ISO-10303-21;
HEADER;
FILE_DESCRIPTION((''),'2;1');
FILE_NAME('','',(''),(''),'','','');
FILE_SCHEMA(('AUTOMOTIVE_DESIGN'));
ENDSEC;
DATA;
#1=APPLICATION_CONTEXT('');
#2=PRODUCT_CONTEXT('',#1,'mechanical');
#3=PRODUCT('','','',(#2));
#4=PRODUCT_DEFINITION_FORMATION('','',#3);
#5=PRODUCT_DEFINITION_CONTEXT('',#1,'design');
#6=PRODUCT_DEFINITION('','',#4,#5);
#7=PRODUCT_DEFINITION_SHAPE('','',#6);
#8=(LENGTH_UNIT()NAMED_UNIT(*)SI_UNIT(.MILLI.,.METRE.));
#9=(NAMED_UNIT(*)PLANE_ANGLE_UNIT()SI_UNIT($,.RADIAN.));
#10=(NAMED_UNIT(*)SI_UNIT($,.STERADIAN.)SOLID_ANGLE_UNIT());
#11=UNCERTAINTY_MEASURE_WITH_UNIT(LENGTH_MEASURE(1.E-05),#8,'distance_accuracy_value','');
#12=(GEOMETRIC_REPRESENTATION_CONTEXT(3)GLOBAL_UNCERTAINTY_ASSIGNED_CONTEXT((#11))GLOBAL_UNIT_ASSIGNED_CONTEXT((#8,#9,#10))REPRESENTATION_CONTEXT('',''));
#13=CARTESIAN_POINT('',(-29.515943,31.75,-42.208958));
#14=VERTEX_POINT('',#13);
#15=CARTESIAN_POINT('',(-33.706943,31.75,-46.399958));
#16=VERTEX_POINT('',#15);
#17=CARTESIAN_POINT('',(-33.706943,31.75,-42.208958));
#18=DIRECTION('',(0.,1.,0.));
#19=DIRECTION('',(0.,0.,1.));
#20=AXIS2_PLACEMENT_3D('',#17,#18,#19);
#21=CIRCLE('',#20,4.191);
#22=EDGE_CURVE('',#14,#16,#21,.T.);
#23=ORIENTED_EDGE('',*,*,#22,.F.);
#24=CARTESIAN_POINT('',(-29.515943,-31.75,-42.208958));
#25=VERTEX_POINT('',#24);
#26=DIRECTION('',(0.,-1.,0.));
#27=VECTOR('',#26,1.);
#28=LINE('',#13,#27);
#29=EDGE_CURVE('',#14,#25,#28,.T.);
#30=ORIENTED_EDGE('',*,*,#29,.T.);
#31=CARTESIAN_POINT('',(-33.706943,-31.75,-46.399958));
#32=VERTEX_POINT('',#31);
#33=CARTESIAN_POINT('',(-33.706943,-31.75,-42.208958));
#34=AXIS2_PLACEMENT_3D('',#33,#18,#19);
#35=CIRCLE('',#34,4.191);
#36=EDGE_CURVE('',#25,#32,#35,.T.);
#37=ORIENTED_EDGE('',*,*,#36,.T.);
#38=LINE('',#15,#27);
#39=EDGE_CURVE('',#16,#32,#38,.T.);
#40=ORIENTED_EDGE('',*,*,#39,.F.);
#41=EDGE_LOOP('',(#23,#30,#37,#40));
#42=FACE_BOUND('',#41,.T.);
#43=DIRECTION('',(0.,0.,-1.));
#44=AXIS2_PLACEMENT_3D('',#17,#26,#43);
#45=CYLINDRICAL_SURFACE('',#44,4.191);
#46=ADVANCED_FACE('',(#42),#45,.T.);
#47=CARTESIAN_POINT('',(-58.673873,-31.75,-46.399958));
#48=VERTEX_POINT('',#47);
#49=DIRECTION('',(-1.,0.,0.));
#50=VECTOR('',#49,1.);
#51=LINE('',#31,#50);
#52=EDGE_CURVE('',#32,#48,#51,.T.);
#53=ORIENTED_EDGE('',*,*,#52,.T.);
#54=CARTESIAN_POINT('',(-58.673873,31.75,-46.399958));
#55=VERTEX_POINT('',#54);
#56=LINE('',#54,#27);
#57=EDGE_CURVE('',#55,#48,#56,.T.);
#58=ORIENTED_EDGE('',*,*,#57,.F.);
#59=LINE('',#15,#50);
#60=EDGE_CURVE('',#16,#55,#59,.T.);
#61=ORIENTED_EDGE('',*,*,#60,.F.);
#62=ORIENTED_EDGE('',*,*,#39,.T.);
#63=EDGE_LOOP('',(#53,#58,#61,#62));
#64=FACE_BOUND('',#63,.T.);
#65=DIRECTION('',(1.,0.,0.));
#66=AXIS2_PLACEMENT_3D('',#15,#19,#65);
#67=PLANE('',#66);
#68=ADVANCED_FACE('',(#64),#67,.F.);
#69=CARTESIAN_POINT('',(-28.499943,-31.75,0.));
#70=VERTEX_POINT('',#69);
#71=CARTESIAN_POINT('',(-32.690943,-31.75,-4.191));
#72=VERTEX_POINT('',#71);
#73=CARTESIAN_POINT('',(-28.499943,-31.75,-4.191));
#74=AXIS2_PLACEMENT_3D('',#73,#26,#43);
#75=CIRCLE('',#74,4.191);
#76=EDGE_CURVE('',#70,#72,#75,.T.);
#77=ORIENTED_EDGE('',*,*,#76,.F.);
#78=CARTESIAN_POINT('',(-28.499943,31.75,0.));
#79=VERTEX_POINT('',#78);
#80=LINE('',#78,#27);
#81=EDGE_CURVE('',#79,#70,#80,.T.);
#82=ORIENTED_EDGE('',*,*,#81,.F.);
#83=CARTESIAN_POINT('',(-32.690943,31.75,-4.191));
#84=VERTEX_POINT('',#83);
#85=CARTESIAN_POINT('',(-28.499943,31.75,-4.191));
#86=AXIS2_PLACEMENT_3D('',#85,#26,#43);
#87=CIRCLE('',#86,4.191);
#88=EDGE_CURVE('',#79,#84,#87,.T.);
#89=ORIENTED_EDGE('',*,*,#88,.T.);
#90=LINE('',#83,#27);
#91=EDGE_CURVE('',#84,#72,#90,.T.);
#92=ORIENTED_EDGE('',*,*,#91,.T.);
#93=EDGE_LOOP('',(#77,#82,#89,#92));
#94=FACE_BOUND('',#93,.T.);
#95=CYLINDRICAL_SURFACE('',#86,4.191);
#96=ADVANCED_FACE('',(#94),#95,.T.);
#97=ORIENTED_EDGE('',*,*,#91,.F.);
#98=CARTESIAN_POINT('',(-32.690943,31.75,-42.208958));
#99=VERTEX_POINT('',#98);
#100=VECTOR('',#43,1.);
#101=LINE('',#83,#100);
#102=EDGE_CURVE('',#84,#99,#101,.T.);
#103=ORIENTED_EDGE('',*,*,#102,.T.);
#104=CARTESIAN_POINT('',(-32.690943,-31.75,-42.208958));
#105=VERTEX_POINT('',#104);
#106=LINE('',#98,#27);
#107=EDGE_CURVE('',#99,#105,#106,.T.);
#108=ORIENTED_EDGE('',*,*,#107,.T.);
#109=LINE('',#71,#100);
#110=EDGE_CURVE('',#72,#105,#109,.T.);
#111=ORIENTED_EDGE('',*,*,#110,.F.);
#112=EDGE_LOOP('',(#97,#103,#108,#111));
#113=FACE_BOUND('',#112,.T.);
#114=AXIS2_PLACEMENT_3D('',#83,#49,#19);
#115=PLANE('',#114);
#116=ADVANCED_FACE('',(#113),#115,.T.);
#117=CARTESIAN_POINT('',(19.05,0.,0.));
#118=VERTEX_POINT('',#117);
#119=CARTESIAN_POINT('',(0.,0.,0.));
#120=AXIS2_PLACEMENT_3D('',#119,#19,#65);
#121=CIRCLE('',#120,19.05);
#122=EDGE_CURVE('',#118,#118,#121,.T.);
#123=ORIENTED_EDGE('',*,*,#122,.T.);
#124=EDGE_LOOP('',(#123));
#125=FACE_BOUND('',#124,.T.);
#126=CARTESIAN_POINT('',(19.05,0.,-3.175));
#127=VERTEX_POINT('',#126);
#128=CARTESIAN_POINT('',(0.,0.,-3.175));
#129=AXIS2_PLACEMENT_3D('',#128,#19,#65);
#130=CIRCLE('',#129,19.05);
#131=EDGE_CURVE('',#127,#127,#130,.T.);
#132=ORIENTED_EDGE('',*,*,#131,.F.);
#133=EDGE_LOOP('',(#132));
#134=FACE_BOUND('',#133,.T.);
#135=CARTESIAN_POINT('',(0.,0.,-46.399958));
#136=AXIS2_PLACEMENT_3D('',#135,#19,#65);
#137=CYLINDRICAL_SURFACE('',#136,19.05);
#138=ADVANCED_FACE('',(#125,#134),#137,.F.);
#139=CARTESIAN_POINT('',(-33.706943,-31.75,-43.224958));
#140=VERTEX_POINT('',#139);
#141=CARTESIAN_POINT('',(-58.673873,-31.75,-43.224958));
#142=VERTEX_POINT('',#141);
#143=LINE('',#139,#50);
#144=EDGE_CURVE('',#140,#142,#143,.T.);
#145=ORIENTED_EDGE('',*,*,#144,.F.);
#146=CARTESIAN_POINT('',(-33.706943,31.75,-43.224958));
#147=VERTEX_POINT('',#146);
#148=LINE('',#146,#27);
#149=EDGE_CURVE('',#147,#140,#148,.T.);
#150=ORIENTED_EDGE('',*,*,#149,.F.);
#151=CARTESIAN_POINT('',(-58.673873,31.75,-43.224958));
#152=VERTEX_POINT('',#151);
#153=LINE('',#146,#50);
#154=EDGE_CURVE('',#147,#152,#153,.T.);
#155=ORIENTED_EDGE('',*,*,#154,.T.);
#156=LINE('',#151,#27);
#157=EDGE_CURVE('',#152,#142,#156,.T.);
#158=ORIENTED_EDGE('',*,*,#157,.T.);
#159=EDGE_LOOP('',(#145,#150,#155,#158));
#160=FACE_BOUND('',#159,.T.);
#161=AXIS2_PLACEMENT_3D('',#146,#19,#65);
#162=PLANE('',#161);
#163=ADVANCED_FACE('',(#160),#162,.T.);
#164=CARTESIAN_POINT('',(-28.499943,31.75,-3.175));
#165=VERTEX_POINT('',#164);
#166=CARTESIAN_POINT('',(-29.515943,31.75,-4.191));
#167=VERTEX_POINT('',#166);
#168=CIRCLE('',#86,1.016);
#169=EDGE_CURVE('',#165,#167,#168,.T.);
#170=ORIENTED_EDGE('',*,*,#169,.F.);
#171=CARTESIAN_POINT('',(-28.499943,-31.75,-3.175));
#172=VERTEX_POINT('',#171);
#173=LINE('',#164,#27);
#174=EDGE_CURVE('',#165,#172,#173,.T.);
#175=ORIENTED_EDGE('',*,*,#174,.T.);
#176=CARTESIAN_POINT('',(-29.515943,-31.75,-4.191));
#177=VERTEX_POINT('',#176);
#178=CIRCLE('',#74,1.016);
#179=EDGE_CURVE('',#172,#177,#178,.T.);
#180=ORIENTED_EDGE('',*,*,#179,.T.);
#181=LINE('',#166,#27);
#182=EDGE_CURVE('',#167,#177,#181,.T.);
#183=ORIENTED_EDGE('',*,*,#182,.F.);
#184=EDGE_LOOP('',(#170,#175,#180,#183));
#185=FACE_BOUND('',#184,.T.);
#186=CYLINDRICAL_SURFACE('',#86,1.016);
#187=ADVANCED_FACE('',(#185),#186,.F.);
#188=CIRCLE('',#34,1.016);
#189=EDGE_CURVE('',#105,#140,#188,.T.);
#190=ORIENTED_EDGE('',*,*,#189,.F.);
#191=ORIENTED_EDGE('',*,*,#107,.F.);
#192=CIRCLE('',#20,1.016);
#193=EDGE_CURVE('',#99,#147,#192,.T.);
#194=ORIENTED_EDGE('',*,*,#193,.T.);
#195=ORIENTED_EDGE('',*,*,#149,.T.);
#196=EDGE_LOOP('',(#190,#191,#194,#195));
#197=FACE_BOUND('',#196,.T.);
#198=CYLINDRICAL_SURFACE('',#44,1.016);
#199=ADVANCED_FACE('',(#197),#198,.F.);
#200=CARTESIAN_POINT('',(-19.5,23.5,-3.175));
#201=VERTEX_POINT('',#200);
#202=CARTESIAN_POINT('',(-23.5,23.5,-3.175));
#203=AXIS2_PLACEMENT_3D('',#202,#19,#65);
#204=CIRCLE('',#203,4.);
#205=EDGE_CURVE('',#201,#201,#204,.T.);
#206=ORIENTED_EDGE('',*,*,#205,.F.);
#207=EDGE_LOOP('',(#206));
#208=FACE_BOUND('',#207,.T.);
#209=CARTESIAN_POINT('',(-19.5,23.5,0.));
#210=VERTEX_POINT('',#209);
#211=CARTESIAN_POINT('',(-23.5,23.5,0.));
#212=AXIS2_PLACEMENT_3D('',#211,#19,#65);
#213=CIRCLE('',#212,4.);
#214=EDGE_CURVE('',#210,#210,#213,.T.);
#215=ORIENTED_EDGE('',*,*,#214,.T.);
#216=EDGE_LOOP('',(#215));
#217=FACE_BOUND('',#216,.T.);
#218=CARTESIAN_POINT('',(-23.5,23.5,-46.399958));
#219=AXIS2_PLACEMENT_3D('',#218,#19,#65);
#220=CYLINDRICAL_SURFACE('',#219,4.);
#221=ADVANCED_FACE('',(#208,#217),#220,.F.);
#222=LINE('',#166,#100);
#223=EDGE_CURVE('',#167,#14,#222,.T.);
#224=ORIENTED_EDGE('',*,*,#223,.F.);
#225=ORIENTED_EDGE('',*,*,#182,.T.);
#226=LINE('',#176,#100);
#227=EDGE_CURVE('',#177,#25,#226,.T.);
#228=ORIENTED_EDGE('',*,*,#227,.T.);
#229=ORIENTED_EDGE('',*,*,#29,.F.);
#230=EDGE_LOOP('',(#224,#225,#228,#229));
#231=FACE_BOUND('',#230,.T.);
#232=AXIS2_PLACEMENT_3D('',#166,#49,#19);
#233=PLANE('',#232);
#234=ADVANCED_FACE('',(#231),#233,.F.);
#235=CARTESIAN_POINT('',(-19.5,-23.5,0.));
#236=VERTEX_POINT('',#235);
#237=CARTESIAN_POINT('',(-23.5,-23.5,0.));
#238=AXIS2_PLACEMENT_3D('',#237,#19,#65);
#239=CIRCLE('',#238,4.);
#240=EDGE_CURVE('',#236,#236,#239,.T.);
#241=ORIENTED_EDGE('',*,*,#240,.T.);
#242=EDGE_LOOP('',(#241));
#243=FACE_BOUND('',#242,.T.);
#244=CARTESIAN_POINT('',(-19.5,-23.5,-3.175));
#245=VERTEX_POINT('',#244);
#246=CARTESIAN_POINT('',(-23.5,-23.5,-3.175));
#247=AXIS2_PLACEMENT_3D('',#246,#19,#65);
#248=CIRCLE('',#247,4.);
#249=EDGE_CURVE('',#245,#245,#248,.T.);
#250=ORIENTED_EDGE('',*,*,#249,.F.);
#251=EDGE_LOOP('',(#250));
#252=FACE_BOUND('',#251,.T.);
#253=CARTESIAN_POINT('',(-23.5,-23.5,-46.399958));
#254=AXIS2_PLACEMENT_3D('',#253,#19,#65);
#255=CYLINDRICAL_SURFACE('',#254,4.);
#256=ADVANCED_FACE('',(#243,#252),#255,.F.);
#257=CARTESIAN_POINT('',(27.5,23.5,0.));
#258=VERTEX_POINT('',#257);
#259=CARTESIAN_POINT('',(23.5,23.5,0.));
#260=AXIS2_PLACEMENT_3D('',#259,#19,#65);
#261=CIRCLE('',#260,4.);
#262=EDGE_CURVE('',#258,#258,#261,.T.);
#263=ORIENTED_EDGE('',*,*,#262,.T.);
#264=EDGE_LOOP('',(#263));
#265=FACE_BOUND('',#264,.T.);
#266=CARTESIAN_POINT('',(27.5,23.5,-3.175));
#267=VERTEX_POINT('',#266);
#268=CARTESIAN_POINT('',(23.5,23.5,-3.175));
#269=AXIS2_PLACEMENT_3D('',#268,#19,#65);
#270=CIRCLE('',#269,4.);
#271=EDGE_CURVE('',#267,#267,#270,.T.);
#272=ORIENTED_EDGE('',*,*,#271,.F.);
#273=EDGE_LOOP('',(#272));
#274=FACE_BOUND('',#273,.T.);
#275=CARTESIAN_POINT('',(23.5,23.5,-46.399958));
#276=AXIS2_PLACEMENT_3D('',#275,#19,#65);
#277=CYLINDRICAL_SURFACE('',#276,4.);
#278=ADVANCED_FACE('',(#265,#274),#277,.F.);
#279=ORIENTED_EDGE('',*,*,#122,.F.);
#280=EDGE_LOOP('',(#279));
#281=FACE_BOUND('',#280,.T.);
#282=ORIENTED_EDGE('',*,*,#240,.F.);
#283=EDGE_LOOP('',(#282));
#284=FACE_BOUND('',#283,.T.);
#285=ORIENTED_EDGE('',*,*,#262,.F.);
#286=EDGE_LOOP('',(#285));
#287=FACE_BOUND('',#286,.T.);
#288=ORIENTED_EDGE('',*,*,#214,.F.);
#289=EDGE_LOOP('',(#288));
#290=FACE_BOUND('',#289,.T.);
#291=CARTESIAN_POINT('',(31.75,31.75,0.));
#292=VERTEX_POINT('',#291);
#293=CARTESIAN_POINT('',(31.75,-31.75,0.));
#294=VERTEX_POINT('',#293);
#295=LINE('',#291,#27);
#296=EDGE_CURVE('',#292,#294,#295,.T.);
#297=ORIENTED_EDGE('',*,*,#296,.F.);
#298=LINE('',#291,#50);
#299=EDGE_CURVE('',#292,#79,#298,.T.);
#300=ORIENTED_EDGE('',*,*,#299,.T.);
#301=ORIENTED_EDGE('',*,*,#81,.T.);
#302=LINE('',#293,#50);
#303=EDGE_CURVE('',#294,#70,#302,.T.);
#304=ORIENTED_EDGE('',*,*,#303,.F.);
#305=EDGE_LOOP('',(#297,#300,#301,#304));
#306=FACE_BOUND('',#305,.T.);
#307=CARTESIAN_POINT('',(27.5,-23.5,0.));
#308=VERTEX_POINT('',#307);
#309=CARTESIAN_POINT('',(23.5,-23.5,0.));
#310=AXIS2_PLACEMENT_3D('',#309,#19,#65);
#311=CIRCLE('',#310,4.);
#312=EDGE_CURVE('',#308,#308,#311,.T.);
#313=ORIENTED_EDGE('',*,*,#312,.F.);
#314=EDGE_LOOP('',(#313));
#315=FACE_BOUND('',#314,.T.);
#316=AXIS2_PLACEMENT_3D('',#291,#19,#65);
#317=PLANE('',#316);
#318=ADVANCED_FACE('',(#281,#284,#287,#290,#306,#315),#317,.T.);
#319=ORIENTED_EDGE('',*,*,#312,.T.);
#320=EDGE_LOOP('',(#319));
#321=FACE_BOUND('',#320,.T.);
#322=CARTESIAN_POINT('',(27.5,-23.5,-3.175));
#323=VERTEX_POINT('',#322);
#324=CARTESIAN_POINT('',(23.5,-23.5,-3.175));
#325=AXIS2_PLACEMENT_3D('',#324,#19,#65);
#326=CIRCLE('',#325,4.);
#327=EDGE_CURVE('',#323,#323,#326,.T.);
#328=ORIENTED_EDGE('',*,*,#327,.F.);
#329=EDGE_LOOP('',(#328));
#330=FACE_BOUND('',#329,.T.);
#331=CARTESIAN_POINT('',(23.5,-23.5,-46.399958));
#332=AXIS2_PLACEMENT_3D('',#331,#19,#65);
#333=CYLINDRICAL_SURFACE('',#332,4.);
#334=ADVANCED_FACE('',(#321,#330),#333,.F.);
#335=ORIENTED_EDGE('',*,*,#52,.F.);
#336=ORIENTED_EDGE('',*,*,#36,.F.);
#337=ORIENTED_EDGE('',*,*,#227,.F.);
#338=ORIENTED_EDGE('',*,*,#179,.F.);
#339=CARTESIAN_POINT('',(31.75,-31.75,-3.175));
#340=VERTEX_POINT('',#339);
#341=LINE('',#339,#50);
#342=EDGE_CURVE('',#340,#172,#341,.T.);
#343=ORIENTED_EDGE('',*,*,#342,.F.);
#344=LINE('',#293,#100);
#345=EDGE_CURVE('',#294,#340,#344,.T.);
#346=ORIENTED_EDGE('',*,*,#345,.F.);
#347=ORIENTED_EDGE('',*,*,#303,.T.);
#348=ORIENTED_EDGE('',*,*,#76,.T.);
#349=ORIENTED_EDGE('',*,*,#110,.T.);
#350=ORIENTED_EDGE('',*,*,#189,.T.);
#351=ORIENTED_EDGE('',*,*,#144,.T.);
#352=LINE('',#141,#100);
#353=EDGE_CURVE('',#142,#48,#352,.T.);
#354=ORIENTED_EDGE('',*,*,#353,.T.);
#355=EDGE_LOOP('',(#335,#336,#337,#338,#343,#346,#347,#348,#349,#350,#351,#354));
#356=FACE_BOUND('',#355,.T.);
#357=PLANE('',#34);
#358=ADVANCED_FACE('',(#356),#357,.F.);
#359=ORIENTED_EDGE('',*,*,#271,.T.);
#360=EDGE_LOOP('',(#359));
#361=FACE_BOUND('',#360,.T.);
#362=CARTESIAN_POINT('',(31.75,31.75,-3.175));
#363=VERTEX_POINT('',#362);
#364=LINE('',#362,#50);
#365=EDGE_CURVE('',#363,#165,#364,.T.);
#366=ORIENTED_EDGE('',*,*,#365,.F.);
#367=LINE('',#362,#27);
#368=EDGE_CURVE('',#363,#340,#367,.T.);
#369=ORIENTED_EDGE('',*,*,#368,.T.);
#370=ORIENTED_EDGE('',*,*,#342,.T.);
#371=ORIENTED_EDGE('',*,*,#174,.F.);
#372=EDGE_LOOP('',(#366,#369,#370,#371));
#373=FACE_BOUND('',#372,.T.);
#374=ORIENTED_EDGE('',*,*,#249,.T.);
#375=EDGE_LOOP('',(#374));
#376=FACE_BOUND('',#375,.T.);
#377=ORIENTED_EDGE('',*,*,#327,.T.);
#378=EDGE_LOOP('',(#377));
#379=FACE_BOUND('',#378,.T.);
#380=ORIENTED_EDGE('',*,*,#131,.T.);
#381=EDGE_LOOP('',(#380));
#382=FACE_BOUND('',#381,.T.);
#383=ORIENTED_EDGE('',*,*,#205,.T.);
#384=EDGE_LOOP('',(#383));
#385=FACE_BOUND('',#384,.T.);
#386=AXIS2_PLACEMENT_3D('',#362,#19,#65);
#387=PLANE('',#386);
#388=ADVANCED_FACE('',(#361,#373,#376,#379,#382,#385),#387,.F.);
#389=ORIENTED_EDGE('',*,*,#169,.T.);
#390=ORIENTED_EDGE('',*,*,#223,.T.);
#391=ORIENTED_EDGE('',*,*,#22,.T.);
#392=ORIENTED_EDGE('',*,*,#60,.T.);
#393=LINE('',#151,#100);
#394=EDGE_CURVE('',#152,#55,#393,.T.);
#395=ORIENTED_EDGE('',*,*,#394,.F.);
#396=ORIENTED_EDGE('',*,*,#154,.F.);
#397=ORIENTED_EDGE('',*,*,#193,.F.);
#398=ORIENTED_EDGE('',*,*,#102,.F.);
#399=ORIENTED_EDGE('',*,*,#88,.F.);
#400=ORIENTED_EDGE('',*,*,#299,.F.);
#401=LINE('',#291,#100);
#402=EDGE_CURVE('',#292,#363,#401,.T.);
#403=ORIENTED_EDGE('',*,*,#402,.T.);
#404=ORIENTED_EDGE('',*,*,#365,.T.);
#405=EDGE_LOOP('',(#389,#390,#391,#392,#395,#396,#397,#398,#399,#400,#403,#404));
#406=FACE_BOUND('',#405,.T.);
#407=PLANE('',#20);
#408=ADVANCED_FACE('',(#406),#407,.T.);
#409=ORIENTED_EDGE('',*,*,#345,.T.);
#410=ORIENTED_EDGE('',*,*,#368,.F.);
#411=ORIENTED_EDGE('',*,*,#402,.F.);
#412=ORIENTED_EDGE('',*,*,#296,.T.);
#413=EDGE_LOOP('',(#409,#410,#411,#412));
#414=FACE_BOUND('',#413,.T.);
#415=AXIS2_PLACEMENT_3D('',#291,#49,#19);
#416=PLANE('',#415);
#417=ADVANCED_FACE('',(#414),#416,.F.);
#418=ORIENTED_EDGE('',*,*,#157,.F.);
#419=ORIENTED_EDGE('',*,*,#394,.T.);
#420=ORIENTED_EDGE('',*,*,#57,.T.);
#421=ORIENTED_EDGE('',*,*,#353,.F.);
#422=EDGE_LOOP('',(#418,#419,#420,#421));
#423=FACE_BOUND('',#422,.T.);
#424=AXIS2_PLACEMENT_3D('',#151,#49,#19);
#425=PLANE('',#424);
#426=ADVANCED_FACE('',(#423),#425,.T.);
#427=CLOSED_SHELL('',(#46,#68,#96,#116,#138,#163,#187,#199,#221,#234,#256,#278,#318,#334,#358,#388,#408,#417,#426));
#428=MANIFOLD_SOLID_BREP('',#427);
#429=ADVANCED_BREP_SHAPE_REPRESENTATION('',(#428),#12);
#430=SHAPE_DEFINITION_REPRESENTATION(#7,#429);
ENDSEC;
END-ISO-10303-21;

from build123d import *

# Parameters (mm, degrees)
BOSS_EXTRUDE1_DEPTH     = 31.75
CUT_EXTRUDE1_DEPTH      = 82.262795763
CUT_EXTRUDE1_DEPTH_BACK = 82.262795763
SKETCH1_R               = 19.05
SKETCH1_R_2             = 4


with BuildPart() as part:
    # Sketch2 → Boss-Extrude1 (new, symmetric)
    with BuildSketch(Plane(origin=(0, 0, 0), x_dir=(1, 0, 0), z_dir=(0, 1, 0))):
        with BuildLine():
            Line((31.75, 0), (-28.499943, 0))
            ThreePointArc((-28.499943, 0), (-31.46342752, 1.22751548), (-32.690943, 4.191))
            Line((-32.690943, 4.191), (-32.690943, 42.208958))
            ThreePointArc((-32.690943, 42.208958), (-32.98852251, 42.92737849), (-33.706943, 43.224958))
            Line((-33.706943, 43.224958), (-58.673873, 43.224958))
            Line((-58.673873, 43.224958), (-58.673873, 46.399958))
            Line((-58.673873, 46.399958), (-33.706943, 46.399958))
            ThreePointArc((-33.706943, 46.399958), (-30.74345848, 45.17244252), (-29.515943, 42.208958))
            Line((-29.515943, 42.208958), (-29.515943, 4.191))
            ThreePointArc((-29.515943, 4.191), (-29.21836349, 3.47257951), (-28.499943, 3.175))
            Line((-28.499943, 3.175), (31.75, 3.175))
            Line((31.75, 3.175), (31.75, 0))
        make_face()
    extrude(amount=BOSS_EXTRUDE1_DEPTH, both=True)

    # Sketch1 → Cut-Extrude1 (cut, two sides: drawn at the far end of the back side and taken through both)
    with BuildSketch(Plane.XY.offset(-CUT_EXTRUDE1_DEPTH_BACK)):
        Circle(SKETCH1_R)
        with Locations((23.5, 23.5)):
            Circle(SKETCH1_R_2)
        with Locations((23.5, -23.5)):
            Circle(SKETCH1_R_2)
        with Locations((-23.5, -23.5)):
            Circle(SKETCH1_R_2)
        with Locations((-23.5, 23.5)):
            Circle(SKETCH1_R_2)
    extrude(amount=CUT_EXTRUDE1_DEPTH + CUT_EXTRUDE1_DEPTH_BACK, mode=Mode.SUBTRACT)


solid = part.part
